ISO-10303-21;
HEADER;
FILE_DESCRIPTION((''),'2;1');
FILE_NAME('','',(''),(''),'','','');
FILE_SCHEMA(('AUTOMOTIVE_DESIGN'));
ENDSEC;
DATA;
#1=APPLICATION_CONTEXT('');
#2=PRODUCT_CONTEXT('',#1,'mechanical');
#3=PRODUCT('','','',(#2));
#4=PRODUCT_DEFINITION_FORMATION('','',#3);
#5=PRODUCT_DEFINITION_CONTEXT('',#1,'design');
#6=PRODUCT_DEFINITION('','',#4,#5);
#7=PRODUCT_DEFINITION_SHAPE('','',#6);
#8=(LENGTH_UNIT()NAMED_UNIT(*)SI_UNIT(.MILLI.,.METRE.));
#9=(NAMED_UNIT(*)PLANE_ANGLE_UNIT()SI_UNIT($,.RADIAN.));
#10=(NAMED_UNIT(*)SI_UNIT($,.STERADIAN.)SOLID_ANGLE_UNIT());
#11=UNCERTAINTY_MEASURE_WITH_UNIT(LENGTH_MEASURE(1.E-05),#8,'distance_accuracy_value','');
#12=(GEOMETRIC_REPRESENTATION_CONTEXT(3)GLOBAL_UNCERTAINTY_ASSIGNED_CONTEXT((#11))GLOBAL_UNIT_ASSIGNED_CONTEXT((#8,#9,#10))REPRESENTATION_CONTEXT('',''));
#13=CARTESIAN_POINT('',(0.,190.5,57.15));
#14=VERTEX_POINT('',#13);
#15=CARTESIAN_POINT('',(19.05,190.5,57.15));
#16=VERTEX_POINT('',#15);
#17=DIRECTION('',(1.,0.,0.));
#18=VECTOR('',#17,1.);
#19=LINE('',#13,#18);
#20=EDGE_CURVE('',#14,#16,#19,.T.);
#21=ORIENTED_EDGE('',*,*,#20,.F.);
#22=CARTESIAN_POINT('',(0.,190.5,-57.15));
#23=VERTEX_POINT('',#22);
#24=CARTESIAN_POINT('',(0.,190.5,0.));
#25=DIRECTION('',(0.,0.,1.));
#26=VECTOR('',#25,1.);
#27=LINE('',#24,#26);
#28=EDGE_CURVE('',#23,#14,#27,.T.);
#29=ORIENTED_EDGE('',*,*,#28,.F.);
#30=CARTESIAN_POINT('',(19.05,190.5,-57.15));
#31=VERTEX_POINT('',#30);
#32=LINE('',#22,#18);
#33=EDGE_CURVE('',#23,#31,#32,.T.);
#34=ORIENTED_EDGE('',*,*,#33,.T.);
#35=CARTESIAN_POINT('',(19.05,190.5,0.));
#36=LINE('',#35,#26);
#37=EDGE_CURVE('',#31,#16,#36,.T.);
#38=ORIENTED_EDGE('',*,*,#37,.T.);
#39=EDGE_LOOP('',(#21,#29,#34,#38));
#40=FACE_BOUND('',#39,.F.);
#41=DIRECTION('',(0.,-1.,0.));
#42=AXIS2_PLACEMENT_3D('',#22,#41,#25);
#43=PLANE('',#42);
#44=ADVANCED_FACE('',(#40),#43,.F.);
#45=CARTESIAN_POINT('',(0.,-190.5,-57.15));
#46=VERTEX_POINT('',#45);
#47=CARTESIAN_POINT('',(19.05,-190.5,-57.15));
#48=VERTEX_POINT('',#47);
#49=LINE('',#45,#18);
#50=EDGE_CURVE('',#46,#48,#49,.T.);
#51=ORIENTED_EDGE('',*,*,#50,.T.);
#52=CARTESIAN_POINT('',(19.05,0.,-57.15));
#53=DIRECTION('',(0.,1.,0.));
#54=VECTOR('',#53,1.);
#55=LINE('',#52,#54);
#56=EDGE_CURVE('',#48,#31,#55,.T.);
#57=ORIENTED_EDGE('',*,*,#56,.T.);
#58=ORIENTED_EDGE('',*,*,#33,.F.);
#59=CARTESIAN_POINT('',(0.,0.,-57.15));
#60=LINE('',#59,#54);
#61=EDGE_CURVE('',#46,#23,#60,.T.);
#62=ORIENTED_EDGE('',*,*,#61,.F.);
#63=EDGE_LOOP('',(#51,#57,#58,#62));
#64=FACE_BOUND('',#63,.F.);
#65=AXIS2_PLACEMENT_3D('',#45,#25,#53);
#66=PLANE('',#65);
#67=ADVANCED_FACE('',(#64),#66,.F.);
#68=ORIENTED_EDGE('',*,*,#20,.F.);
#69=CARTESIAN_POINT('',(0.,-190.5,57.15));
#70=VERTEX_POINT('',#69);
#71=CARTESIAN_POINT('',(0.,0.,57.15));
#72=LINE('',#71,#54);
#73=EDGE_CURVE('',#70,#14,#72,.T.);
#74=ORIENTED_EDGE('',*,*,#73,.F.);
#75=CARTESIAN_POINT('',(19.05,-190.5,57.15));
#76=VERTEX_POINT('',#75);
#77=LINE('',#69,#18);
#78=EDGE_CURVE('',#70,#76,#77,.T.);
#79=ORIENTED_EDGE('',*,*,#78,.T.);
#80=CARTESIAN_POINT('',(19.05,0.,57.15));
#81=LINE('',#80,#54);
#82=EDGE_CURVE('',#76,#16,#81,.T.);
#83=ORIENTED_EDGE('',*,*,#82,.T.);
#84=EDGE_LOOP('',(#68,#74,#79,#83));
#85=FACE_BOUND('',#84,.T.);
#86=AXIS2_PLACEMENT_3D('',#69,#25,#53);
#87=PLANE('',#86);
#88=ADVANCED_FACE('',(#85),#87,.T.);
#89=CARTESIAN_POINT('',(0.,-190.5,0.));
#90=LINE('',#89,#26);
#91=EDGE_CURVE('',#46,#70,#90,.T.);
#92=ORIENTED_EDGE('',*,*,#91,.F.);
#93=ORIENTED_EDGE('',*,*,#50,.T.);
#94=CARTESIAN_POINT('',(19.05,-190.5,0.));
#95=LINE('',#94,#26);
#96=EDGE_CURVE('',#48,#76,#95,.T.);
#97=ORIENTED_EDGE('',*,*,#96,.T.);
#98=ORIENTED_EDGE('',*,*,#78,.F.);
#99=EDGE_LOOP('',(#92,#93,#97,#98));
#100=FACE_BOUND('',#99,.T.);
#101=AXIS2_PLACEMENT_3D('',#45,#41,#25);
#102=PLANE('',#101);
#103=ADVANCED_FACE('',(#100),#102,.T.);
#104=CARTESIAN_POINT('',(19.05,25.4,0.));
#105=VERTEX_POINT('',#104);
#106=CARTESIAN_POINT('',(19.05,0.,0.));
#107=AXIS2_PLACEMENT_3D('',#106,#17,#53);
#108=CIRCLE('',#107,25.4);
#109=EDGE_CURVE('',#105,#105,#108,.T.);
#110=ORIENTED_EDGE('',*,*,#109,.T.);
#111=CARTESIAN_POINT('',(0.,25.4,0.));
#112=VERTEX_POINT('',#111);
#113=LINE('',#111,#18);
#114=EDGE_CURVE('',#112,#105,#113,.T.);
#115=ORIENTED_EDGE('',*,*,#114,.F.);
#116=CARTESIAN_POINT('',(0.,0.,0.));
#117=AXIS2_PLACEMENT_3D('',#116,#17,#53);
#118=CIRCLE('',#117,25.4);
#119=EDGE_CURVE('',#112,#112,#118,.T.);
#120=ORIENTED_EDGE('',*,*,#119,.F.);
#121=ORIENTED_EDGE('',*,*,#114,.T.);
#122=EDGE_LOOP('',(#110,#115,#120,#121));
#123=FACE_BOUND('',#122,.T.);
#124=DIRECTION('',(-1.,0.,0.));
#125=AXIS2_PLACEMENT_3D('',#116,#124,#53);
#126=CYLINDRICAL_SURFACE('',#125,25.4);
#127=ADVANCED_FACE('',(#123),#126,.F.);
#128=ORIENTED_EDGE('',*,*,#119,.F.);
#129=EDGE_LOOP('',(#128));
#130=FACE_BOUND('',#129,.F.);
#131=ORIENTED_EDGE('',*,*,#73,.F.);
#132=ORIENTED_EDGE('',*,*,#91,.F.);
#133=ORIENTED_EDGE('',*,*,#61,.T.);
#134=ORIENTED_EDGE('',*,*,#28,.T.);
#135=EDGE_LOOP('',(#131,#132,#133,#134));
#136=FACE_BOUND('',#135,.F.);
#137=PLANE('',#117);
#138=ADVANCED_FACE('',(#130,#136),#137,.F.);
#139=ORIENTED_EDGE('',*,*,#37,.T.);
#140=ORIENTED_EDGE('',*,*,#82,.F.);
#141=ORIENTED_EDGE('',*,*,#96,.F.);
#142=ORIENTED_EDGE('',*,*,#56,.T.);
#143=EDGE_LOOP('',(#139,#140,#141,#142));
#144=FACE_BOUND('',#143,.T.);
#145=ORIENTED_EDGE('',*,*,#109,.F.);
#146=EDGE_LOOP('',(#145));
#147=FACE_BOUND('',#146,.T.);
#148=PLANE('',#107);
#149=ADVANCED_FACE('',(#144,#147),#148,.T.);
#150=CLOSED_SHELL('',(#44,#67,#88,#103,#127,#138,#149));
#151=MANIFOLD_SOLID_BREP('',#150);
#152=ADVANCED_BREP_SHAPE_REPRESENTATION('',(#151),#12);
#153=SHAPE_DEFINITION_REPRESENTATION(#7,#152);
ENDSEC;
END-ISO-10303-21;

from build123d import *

# Parameters (mm, degrees)
F0_W     = 381
F0_H     = 114.3
F0_R     = 25.4
F1_DEPTH = 19.05


with BuildPart() as f1:
    # F0 (on Right) → F1 (new body)
    with BuildSketch(Plane.YZ):
        Rectangle(F0_W, F0_H)
        Circle(F0_R, mode=Mode.SUBTRACT)
    extrude(amount=F1_DEPTH)


solid = f1.part
